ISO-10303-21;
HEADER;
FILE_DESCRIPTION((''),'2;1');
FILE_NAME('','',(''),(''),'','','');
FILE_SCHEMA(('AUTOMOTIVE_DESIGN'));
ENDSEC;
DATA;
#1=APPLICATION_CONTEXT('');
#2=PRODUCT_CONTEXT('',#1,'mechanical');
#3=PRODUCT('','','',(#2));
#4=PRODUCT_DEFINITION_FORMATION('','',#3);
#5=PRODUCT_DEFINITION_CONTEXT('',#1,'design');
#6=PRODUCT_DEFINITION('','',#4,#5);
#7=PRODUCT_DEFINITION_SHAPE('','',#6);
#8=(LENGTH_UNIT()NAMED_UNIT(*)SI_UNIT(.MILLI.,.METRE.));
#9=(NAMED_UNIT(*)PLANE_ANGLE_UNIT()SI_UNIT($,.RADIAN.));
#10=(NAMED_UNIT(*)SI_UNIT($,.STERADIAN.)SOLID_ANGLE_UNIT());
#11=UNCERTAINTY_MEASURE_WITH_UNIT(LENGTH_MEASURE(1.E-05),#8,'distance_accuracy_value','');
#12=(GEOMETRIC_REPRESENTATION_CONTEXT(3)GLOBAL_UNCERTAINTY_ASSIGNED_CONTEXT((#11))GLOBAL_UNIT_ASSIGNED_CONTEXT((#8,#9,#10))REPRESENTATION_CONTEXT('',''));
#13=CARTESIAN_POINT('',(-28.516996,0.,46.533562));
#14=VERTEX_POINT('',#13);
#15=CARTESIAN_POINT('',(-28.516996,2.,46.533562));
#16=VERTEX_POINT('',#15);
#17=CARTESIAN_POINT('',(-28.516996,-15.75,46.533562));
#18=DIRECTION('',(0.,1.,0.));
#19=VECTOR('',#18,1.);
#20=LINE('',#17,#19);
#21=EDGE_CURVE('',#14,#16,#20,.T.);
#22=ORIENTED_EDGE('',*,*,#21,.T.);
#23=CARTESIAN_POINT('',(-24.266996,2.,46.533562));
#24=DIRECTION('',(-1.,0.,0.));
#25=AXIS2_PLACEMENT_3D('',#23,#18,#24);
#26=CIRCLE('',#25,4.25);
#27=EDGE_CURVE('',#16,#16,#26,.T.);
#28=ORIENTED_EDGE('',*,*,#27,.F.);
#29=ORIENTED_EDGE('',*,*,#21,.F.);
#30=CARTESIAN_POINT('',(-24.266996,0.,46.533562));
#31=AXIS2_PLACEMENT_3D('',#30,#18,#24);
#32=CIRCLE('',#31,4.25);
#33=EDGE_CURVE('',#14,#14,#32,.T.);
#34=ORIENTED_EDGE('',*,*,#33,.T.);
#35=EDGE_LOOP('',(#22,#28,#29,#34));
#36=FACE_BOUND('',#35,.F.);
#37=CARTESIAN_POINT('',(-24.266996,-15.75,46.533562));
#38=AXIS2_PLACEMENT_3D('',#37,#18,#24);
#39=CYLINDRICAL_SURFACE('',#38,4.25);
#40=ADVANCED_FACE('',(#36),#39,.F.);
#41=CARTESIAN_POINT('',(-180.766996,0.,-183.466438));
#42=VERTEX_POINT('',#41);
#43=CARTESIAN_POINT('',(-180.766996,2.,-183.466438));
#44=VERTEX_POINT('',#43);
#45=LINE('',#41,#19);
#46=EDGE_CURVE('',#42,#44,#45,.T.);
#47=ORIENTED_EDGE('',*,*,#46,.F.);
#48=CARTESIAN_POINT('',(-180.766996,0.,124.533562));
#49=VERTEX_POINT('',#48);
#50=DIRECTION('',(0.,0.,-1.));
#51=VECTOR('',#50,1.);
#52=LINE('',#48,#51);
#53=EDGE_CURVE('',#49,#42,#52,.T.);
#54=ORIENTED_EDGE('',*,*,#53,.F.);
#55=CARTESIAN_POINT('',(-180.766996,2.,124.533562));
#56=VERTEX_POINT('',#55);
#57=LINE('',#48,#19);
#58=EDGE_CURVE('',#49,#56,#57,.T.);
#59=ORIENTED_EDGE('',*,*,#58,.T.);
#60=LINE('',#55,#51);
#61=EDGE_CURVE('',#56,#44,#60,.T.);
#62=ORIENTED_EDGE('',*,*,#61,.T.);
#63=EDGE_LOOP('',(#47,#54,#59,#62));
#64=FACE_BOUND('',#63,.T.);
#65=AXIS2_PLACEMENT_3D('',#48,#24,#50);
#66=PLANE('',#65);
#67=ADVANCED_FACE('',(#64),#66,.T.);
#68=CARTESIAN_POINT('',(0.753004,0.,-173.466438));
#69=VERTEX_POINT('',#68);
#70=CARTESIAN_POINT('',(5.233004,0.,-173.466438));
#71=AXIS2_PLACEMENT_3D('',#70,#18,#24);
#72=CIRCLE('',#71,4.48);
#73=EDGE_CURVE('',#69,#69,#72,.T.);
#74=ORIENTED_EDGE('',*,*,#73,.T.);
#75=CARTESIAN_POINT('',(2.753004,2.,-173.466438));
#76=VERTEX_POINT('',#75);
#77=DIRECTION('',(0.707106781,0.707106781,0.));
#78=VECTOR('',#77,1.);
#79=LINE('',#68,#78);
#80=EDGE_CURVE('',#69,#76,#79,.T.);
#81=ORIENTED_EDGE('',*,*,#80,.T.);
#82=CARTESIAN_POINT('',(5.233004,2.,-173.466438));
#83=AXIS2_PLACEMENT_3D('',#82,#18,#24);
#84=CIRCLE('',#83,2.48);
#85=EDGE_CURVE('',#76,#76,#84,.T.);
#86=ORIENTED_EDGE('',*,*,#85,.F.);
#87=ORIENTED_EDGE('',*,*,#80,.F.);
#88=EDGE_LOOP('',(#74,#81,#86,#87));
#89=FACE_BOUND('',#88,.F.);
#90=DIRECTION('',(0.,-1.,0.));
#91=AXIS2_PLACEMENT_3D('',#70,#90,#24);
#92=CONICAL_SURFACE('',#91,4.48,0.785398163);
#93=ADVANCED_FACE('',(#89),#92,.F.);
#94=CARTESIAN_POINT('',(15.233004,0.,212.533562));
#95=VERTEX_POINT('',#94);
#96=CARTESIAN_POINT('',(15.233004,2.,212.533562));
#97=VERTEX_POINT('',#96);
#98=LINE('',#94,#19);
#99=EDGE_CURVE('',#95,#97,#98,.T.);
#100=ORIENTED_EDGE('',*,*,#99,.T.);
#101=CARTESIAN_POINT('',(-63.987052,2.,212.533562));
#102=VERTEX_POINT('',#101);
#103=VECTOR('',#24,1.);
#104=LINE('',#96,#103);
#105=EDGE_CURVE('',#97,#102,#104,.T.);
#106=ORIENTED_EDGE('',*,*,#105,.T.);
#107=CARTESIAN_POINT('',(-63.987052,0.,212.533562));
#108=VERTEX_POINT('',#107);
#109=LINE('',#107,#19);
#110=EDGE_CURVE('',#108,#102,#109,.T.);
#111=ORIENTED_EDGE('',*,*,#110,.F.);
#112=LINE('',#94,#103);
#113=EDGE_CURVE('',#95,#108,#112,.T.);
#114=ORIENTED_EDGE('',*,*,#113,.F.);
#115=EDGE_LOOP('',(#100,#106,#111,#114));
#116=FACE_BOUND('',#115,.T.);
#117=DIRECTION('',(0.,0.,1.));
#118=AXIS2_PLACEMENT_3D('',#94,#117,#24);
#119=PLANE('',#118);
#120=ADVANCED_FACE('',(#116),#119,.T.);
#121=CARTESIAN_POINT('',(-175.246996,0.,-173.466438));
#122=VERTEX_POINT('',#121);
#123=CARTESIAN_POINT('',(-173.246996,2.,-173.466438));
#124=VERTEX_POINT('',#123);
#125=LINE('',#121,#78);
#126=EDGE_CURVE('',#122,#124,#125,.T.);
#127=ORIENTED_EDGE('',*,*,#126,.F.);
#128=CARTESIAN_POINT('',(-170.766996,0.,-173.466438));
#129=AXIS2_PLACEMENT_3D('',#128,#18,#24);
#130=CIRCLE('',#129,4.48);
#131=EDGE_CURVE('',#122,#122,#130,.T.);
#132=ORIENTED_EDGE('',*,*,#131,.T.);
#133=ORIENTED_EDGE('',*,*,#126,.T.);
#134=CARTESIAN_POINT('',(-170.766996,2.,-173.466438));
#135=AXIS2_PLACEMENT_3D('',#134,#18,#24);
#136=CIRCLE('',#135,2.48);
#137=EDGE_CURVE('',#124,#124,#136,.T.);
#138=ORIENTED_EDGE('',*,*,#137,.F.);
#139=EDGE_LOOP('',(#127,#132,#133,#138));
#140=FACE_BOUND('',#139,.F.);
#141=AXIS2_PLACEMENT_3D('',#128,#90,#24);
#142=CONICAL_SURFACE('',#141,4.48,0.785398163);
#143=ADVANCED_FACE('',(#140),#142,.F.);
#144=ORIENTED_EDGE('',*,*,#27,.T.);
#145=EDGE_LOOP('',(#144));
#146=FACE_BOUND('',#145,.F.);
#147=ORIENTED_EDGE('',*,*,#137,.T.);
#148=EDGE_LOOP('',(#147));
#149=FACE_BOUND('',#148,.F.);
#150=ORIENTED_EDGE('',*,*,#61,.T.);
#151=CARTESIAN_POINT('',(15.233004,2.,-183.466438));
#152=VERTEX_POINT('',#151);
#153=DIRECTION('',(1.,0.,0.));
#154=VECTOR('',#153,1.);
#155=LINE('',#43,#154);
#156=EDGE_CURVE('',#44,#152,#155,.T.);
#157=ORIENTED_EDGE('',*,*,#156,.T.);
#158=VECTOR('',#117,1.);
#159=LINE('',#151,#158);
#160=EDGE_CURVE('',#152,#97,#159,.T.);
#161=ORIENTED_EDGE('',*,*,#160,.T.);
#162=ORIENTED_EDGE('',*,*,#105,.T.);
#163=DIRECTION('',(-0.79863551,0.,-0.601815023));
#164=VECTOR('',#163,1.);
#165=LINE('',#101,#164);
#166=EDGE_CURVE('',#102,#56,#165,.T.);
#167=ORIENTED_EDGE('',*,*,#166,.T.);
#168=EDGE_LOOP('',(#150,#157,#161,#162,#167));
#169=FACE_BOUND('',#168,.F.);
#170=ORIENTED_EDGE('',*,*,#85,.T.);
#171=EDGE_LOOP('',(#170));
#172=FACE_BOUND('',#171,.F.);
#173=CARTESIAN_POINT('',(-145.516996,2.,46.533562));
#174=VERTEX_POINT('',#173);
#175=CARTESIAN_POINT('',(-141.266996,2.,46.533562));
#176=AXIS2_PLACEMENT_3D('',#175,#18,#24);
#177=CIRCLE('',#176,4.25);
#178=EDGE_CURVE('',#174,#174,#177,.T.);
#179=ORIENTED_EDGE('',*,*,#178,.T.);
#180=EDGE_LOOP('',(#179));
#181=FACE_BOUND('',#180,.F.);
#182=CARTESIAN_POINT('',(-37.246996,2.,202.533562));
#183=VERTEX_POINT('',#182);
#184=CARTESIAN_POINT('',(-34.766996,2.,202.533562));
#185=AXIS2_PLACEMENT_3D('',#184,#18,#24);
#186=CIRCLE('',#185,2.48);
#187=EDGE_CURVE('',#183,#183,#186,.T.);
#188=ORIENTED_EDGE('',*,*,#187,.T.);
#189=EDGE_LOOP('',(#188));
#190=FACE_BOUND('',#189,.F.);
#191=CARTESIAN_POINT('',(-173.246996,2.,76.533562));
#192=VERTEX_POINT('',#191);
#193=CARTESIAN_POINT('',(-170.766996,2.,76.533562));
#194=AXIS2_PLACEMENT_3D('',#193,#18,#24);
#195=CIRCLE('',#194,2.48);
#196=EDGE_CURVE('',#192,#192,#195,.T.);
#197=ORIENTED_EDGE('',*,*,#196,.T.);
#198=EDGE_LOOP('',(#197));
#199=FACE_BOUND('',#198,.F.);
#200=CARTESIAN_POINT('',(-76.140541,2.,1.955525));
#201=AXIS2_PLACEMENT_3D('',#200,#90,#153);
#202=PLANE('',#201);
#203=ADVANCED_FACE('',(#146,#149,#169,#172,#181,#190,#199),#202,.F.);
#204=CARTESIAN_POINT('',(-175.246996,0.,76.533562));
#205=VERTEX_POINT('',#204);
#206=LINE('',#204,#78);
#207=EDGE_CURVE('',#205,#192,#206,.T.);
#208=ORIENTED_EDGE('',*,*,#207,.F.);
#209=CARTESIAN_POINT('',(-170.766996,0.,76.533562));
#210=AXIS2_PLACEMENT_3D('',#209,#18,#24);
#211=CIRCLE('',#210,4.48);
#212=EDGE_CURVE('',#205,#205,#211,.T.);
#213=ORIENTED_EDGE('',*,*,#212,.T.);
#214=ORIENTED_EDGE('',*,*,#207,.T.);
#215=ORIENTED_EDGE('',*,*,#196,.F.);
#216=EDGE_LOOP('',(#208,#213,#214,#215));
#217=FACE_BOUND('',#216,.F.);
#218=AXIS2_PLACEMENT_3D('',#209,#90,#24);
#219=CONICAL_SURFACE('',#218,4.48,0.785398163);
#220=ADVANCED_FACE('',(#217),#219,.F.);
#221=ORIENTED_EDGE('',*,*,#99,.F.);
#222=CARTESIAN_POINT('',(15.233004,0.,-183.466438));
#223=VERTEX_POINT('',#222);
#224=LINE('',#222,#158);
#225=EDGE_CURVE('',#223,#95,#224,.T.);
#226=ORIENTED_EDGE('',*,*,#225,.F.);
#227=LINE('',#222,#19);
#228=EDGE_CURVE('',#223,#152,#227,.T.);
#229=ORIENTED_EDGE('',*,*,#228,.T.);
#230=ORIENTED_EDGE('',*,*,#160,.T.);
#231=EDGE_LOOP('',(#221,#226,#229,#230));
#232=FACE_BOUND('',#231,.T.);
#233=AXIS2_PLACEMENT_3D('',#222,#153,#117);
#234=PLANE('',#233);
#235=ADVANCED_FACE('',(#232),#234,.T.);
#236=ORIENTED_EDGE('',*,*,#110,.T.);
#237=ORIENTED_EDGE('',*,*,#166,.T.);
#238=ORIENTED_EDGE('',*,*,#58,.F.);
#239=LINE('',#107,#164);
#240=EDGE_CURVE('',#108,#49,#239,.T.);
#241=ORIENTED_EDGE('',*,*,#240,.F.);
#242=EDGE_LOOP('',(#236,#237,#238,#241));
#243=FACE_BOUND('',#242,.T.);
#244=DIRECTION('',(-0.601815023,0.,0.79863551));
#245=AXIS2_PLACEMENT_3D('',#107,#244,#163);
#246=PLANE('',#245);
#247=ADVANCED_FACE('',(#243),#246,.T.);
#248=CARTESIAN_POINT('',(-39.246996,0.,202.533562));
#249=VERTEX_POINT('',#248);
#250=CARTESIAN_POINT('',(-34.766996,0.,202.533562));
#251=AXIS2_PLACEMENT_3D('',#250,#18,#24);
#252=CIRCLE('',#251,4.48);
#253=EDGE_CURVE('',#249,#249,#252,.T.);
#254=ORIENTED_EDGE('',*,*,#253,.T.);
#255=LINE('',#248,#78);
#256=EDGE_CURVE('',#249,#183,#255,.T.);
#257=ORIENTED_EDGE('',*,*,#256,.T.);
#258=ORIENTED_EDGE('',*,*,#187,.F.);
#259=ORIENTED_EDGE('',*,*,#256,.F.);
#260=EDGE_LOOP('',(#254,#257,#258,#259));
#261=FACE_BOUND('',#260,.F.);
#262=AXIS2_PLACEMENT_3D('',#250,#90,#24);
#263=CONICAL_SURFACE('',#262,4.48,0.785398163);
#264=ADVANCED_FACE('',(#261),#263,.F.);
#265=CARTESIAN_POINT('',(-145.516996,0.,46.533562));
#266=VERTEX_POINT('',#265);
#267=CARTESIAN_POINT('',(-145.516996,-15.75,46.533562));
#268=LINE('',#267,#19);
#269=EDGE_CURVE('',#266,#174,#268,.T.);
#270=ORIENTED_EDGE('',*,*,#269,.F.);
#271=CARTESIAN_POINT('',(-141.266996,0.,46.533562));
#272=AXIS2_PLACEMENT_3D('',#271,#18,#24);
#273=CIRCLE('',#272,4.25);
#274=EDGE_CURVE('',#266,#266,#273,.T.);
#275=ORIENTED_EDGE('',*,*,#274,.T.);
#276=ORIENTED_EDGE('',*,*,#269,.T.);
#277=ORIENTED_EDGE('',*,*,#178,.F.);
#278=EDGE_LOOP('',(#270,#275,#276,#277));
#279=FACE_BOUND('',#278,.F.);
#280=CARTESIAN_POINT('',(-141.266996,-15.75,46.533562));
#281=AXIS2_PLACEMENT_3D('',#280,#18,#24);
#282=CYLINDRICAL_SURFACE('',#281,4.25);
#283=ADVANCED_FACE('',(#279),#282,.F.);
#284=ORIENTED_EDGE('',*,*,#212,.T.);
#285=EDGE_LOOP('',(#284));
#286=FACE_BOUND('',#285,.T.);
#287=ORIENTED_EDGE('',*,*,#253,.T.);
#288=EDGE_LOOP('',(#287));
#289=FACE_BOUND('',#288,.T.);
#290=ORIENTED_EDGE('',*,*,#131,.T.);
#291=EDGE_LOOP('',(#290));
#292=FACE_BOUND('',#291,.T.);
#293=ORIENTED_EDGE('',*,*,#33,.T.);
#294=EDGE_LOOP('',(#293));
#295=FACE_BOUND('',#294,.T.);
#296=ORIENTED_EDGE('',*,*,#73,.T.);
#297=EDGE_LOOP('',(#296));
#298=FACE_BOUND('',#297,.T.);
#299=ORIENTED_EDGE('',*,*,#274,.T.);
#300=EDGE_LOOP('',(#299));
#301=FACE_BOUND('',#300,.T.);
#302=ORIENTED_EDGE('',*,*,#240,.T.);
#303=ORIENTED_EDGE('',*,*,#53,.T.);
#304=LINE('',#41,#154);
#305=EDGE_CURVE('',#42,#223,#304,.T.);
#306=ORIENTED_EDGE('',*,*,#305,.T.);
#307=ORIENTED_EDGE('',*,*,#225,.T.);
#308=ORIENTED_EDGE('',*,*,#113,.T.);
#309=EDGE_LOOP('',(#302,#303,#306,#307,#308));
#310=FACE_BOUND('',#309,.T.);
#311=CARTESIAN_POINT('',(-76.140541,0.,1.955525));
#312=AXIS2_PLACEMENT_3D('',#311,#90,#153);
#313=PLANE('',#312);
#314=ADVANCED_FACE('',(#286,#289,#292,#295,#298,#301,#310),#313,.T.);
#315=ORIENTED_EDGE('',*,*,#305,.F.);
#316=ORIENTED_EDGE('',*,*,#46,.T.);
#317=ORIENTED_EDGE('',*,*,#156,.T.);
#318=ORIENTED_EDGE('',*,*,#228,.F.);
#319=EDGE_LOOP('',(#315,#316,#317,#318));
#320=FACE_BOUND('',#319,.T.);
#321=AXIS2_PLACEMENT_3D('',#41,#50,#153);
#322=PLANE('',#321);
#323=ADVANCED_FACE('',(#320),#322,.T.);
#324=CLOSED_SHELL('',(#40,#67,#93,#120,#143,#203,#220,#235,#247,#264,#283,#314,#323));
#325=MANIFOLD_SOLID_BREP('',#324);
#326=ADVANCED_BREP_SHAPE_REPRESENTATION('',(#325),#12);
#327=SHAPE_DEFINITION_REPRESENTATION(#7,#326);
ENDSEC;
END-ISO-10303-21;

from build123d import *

# Parameters (mm, degrees)
F1_DEPTH       = 2
F2_D           = 8.5
F2_DEPTH       = 15.75
F2_TIP         = 2.5536576309
F3_D           = 4.4
F3_CSINK_D     = 8.96
F3_CSINK_ANGLE = 90


with BuildPart() as f1:
    # F0 (on Front) → F1 (new body)
    with BuildSketch(Plane.XZ):
        Polygon((-180.7669961075, 124.533562243), (-180.7669961075, -183.466437757), (15.2330038925, -183.466437757), (15.2330038925, 212.533562243), (-63.9870518049, 212.533562243), align=None)
    extrude(amount=-F1_DEPTH)

    # F2
    with Locations(Plane.XZ):
        with Locations((-141.2669961075, 46.533562243), (-24.2669961075, 46.533562243)):
            Hole(F2_D / 2, depth=F2_DEPTH)
            with Locations((0, 0, -(F2_DEPTH + F2_TIP / 2))):  # 118° drill point
                Cone(0, F2_D / 2, F2_TIP, mode=Mode.SUBTRACT)

    # F3 (through all)
    with Locations(Plane.XZ):
        with Locations((-170.7669961075, 76.533562243), (-34.7669961075, 202.533562243), (5.2330038925, -173.466437757), (-170.7669961075, -173.466437757)):
            CounterSinkHole(F3_D / 2, F3_CSINK_D / 2, counter_sink_angle=F3_CSINK_ANGLE)


solid = f1.part
